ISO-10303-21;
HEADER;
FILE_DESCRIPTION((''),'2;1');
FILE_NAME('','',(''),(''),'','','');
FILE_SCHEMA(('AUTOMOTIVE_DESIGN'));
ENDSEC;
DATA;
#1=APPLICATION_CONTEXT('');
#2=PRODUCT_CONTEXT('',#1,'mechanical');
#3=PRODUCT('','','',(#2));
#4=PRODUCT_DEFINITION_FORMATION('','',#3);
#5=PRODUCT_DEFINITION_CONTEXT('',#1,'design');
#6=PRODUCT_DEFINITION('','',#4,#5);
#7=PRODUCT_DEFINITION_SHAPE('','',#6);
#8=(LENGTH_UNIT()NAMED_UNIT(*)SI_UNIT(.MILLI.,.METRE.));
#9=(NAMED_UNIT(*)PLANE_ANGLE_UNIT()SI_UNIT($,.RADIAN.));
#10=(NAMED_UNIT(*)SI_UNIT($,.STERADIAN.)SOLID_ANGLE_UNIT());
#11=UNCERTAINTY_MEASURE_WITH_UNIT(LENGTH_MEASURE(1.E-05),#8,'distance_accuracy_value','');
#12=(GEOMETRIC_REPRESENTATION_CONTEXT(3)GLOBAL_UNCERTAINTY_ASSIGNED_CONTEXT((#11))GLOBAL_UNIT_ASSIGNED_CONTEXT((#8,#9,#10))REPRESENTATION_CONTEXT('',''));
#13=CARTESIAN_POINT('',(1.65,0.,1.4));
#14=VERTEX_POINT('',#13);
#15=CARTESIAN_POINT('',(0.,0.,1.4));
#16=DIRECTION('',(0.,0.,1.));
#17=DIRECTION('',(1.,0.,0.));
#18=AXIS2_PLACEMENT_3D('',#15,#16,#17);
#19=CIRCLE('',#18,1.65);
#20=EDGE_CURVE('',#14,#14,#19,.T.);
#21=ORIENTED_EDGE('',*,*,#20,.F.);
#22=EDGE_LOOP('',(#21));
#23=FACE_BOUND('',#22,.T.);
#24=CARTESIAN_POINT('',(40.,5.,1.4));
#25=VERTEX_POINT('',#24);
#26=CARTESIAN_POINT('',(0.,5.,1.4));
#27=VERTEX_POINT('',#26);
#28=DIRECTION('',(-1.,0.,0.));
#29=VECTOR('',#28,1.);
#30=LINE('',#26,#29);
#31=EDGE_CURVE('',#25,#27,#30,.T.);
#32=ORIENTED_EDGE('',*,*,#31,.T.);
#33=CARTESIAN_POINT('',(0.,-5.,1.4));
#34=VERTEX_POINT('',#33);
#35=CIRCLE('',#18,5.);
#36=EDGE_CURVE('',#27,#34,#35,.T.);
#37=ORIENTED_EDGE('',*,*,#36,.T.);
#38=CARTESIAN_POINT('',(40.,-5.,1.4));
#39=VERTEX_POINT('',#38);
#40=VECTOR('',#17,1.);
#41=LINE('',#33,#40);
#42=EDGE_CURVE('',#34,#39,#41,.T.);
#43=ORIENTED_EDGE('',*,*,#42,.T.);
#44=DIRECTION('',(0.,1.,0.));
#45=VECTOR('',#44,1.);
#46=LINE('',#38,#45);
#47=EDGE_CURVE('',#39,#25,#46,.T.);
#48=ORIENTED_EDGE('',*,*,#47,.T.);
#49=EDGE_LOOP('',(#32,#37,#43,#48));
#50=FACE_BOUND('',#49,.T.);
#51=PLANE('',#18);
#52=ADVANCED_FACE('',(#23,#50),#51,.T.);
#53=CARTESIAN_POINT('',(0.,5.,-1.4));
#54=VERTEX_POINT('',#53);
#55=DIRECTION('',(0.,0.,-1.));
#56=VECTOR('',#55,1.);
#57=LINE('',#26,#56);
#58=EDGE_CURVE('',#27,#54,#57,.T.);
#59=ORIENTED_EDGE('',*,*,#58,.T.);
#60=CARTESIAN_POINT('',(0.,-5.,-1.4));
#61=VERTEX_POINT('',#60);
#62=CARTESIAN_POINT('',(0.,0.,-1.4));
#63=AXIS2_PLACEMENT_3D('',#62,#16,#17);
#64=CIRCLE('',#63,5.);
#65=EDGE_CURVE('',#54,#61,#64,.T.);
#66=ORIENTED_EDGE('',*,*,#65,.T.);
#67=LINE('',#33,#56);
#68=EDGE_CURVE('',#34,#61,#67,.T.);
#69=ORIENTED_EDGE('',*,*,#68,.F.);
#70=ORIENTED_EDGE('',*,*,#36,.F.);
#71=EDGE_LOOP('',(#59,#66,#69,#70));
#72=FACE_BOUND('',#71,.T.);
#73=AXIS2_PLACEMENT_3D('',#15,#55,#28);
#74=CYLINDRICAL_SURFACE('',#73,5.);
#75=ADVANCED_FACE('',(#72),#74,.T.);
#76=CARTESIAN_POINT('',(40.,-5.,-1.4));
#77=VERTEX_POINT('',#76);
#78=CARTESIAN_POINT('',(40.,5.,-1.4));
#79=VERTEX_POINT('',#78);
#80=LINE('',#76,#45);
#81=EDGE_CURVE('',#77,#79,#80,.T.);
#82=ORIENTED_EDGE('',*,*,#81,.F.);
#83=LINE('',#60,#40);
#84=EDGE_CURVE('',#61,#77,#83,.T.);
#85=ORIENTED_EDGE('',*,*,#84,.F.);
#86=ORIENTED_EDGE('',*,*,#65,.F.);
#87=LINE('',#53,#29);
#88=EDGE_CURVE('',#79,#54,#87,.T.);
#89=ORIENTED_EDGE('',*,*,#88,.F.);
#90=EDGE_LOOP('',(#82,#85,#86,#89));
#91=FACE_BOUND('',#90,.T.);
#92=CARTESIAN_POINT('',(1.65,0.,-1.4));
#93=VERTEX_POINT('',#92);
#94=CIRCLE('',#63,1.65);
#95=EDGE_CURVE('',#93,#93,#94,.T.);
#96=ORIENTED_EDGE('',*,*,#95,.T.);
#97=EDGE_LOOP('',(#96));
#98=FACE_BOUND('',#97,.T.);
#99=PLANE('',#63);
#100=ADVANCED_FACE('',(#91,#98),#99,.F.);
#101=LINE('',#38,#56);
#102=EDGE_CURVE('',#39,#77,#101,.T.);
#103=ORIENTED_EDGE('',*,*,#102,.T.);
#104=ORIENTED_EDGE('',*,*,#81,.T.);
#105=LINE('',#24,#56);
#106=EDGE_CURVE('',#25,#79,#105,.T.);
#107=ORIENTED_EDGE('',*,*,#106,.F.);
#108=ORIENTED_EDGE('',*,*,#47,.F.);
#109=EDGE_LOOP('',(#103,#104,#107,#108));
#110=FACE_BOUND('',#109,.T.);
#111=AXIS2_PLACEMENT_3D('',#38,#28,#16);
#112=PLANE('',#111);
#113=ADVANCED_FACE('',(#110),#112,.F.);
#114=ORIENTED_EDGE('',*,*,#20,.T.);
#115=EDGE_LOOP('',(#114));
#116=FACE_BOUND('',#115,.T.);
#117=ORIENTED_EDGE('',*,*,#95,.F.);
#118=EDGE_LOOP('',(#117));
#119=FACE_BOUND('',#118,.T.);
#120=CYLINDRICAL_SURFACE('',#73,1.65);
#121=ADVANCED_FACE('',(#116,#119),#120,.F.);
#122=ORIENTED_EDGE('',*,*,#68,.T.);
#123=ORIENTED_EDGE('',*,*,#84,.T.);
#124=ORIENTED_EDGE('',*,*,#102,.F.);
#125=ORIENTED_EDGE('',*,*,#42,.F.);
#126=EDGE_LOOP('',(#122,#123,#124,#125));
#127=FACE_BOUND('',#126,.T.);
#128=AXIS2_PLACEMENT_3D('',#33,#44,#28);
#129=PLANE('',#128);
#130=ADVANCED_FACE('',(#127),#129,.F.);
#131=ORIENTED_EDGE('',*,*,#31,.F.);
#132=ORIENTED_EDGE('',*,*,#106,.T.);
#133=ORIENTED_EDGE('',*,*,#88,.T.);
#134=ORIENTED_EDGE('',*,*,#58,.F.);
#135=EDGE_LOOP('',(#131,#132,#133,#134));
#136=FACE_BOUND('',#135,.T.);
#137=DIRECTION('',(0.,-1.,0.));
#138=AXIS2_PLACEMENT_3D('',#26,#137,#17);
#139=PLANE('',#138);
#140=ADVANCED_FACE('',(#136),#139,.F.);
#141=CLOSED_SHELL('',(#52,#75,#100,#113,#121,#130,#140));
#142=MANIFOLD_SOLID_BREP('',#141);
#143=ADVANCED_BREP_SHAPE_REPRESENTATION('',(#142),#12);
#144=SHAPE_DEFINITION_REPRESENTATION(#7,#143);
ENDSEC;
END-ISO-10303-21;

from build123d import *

# Parameters (mm, degrees)
ESQUISSE1_R        = 1.65
BOSS_EXTRU_1_DEPTH = 1.4


with BuildPart() as part:
    # Esquisse1 → Boss.-Extru.1 (new, symmetric)
    with BuildSketch(Plane.XY):
        with BuildLine():
            Line((0, -5), (40, -5))
            Line((40, -5), (40, 5))
            Line((40, 5), (0, 5))
            ThreePointArc((0, 5), (-5, 0), (0, -5))
        make_face()
        Circle(ESQUISSE1_R, mode=Mode.SUBTRACT)
    extrude(amount=BOSS_EXTRU_1_DEPTH, both=True)


solid = part.part
